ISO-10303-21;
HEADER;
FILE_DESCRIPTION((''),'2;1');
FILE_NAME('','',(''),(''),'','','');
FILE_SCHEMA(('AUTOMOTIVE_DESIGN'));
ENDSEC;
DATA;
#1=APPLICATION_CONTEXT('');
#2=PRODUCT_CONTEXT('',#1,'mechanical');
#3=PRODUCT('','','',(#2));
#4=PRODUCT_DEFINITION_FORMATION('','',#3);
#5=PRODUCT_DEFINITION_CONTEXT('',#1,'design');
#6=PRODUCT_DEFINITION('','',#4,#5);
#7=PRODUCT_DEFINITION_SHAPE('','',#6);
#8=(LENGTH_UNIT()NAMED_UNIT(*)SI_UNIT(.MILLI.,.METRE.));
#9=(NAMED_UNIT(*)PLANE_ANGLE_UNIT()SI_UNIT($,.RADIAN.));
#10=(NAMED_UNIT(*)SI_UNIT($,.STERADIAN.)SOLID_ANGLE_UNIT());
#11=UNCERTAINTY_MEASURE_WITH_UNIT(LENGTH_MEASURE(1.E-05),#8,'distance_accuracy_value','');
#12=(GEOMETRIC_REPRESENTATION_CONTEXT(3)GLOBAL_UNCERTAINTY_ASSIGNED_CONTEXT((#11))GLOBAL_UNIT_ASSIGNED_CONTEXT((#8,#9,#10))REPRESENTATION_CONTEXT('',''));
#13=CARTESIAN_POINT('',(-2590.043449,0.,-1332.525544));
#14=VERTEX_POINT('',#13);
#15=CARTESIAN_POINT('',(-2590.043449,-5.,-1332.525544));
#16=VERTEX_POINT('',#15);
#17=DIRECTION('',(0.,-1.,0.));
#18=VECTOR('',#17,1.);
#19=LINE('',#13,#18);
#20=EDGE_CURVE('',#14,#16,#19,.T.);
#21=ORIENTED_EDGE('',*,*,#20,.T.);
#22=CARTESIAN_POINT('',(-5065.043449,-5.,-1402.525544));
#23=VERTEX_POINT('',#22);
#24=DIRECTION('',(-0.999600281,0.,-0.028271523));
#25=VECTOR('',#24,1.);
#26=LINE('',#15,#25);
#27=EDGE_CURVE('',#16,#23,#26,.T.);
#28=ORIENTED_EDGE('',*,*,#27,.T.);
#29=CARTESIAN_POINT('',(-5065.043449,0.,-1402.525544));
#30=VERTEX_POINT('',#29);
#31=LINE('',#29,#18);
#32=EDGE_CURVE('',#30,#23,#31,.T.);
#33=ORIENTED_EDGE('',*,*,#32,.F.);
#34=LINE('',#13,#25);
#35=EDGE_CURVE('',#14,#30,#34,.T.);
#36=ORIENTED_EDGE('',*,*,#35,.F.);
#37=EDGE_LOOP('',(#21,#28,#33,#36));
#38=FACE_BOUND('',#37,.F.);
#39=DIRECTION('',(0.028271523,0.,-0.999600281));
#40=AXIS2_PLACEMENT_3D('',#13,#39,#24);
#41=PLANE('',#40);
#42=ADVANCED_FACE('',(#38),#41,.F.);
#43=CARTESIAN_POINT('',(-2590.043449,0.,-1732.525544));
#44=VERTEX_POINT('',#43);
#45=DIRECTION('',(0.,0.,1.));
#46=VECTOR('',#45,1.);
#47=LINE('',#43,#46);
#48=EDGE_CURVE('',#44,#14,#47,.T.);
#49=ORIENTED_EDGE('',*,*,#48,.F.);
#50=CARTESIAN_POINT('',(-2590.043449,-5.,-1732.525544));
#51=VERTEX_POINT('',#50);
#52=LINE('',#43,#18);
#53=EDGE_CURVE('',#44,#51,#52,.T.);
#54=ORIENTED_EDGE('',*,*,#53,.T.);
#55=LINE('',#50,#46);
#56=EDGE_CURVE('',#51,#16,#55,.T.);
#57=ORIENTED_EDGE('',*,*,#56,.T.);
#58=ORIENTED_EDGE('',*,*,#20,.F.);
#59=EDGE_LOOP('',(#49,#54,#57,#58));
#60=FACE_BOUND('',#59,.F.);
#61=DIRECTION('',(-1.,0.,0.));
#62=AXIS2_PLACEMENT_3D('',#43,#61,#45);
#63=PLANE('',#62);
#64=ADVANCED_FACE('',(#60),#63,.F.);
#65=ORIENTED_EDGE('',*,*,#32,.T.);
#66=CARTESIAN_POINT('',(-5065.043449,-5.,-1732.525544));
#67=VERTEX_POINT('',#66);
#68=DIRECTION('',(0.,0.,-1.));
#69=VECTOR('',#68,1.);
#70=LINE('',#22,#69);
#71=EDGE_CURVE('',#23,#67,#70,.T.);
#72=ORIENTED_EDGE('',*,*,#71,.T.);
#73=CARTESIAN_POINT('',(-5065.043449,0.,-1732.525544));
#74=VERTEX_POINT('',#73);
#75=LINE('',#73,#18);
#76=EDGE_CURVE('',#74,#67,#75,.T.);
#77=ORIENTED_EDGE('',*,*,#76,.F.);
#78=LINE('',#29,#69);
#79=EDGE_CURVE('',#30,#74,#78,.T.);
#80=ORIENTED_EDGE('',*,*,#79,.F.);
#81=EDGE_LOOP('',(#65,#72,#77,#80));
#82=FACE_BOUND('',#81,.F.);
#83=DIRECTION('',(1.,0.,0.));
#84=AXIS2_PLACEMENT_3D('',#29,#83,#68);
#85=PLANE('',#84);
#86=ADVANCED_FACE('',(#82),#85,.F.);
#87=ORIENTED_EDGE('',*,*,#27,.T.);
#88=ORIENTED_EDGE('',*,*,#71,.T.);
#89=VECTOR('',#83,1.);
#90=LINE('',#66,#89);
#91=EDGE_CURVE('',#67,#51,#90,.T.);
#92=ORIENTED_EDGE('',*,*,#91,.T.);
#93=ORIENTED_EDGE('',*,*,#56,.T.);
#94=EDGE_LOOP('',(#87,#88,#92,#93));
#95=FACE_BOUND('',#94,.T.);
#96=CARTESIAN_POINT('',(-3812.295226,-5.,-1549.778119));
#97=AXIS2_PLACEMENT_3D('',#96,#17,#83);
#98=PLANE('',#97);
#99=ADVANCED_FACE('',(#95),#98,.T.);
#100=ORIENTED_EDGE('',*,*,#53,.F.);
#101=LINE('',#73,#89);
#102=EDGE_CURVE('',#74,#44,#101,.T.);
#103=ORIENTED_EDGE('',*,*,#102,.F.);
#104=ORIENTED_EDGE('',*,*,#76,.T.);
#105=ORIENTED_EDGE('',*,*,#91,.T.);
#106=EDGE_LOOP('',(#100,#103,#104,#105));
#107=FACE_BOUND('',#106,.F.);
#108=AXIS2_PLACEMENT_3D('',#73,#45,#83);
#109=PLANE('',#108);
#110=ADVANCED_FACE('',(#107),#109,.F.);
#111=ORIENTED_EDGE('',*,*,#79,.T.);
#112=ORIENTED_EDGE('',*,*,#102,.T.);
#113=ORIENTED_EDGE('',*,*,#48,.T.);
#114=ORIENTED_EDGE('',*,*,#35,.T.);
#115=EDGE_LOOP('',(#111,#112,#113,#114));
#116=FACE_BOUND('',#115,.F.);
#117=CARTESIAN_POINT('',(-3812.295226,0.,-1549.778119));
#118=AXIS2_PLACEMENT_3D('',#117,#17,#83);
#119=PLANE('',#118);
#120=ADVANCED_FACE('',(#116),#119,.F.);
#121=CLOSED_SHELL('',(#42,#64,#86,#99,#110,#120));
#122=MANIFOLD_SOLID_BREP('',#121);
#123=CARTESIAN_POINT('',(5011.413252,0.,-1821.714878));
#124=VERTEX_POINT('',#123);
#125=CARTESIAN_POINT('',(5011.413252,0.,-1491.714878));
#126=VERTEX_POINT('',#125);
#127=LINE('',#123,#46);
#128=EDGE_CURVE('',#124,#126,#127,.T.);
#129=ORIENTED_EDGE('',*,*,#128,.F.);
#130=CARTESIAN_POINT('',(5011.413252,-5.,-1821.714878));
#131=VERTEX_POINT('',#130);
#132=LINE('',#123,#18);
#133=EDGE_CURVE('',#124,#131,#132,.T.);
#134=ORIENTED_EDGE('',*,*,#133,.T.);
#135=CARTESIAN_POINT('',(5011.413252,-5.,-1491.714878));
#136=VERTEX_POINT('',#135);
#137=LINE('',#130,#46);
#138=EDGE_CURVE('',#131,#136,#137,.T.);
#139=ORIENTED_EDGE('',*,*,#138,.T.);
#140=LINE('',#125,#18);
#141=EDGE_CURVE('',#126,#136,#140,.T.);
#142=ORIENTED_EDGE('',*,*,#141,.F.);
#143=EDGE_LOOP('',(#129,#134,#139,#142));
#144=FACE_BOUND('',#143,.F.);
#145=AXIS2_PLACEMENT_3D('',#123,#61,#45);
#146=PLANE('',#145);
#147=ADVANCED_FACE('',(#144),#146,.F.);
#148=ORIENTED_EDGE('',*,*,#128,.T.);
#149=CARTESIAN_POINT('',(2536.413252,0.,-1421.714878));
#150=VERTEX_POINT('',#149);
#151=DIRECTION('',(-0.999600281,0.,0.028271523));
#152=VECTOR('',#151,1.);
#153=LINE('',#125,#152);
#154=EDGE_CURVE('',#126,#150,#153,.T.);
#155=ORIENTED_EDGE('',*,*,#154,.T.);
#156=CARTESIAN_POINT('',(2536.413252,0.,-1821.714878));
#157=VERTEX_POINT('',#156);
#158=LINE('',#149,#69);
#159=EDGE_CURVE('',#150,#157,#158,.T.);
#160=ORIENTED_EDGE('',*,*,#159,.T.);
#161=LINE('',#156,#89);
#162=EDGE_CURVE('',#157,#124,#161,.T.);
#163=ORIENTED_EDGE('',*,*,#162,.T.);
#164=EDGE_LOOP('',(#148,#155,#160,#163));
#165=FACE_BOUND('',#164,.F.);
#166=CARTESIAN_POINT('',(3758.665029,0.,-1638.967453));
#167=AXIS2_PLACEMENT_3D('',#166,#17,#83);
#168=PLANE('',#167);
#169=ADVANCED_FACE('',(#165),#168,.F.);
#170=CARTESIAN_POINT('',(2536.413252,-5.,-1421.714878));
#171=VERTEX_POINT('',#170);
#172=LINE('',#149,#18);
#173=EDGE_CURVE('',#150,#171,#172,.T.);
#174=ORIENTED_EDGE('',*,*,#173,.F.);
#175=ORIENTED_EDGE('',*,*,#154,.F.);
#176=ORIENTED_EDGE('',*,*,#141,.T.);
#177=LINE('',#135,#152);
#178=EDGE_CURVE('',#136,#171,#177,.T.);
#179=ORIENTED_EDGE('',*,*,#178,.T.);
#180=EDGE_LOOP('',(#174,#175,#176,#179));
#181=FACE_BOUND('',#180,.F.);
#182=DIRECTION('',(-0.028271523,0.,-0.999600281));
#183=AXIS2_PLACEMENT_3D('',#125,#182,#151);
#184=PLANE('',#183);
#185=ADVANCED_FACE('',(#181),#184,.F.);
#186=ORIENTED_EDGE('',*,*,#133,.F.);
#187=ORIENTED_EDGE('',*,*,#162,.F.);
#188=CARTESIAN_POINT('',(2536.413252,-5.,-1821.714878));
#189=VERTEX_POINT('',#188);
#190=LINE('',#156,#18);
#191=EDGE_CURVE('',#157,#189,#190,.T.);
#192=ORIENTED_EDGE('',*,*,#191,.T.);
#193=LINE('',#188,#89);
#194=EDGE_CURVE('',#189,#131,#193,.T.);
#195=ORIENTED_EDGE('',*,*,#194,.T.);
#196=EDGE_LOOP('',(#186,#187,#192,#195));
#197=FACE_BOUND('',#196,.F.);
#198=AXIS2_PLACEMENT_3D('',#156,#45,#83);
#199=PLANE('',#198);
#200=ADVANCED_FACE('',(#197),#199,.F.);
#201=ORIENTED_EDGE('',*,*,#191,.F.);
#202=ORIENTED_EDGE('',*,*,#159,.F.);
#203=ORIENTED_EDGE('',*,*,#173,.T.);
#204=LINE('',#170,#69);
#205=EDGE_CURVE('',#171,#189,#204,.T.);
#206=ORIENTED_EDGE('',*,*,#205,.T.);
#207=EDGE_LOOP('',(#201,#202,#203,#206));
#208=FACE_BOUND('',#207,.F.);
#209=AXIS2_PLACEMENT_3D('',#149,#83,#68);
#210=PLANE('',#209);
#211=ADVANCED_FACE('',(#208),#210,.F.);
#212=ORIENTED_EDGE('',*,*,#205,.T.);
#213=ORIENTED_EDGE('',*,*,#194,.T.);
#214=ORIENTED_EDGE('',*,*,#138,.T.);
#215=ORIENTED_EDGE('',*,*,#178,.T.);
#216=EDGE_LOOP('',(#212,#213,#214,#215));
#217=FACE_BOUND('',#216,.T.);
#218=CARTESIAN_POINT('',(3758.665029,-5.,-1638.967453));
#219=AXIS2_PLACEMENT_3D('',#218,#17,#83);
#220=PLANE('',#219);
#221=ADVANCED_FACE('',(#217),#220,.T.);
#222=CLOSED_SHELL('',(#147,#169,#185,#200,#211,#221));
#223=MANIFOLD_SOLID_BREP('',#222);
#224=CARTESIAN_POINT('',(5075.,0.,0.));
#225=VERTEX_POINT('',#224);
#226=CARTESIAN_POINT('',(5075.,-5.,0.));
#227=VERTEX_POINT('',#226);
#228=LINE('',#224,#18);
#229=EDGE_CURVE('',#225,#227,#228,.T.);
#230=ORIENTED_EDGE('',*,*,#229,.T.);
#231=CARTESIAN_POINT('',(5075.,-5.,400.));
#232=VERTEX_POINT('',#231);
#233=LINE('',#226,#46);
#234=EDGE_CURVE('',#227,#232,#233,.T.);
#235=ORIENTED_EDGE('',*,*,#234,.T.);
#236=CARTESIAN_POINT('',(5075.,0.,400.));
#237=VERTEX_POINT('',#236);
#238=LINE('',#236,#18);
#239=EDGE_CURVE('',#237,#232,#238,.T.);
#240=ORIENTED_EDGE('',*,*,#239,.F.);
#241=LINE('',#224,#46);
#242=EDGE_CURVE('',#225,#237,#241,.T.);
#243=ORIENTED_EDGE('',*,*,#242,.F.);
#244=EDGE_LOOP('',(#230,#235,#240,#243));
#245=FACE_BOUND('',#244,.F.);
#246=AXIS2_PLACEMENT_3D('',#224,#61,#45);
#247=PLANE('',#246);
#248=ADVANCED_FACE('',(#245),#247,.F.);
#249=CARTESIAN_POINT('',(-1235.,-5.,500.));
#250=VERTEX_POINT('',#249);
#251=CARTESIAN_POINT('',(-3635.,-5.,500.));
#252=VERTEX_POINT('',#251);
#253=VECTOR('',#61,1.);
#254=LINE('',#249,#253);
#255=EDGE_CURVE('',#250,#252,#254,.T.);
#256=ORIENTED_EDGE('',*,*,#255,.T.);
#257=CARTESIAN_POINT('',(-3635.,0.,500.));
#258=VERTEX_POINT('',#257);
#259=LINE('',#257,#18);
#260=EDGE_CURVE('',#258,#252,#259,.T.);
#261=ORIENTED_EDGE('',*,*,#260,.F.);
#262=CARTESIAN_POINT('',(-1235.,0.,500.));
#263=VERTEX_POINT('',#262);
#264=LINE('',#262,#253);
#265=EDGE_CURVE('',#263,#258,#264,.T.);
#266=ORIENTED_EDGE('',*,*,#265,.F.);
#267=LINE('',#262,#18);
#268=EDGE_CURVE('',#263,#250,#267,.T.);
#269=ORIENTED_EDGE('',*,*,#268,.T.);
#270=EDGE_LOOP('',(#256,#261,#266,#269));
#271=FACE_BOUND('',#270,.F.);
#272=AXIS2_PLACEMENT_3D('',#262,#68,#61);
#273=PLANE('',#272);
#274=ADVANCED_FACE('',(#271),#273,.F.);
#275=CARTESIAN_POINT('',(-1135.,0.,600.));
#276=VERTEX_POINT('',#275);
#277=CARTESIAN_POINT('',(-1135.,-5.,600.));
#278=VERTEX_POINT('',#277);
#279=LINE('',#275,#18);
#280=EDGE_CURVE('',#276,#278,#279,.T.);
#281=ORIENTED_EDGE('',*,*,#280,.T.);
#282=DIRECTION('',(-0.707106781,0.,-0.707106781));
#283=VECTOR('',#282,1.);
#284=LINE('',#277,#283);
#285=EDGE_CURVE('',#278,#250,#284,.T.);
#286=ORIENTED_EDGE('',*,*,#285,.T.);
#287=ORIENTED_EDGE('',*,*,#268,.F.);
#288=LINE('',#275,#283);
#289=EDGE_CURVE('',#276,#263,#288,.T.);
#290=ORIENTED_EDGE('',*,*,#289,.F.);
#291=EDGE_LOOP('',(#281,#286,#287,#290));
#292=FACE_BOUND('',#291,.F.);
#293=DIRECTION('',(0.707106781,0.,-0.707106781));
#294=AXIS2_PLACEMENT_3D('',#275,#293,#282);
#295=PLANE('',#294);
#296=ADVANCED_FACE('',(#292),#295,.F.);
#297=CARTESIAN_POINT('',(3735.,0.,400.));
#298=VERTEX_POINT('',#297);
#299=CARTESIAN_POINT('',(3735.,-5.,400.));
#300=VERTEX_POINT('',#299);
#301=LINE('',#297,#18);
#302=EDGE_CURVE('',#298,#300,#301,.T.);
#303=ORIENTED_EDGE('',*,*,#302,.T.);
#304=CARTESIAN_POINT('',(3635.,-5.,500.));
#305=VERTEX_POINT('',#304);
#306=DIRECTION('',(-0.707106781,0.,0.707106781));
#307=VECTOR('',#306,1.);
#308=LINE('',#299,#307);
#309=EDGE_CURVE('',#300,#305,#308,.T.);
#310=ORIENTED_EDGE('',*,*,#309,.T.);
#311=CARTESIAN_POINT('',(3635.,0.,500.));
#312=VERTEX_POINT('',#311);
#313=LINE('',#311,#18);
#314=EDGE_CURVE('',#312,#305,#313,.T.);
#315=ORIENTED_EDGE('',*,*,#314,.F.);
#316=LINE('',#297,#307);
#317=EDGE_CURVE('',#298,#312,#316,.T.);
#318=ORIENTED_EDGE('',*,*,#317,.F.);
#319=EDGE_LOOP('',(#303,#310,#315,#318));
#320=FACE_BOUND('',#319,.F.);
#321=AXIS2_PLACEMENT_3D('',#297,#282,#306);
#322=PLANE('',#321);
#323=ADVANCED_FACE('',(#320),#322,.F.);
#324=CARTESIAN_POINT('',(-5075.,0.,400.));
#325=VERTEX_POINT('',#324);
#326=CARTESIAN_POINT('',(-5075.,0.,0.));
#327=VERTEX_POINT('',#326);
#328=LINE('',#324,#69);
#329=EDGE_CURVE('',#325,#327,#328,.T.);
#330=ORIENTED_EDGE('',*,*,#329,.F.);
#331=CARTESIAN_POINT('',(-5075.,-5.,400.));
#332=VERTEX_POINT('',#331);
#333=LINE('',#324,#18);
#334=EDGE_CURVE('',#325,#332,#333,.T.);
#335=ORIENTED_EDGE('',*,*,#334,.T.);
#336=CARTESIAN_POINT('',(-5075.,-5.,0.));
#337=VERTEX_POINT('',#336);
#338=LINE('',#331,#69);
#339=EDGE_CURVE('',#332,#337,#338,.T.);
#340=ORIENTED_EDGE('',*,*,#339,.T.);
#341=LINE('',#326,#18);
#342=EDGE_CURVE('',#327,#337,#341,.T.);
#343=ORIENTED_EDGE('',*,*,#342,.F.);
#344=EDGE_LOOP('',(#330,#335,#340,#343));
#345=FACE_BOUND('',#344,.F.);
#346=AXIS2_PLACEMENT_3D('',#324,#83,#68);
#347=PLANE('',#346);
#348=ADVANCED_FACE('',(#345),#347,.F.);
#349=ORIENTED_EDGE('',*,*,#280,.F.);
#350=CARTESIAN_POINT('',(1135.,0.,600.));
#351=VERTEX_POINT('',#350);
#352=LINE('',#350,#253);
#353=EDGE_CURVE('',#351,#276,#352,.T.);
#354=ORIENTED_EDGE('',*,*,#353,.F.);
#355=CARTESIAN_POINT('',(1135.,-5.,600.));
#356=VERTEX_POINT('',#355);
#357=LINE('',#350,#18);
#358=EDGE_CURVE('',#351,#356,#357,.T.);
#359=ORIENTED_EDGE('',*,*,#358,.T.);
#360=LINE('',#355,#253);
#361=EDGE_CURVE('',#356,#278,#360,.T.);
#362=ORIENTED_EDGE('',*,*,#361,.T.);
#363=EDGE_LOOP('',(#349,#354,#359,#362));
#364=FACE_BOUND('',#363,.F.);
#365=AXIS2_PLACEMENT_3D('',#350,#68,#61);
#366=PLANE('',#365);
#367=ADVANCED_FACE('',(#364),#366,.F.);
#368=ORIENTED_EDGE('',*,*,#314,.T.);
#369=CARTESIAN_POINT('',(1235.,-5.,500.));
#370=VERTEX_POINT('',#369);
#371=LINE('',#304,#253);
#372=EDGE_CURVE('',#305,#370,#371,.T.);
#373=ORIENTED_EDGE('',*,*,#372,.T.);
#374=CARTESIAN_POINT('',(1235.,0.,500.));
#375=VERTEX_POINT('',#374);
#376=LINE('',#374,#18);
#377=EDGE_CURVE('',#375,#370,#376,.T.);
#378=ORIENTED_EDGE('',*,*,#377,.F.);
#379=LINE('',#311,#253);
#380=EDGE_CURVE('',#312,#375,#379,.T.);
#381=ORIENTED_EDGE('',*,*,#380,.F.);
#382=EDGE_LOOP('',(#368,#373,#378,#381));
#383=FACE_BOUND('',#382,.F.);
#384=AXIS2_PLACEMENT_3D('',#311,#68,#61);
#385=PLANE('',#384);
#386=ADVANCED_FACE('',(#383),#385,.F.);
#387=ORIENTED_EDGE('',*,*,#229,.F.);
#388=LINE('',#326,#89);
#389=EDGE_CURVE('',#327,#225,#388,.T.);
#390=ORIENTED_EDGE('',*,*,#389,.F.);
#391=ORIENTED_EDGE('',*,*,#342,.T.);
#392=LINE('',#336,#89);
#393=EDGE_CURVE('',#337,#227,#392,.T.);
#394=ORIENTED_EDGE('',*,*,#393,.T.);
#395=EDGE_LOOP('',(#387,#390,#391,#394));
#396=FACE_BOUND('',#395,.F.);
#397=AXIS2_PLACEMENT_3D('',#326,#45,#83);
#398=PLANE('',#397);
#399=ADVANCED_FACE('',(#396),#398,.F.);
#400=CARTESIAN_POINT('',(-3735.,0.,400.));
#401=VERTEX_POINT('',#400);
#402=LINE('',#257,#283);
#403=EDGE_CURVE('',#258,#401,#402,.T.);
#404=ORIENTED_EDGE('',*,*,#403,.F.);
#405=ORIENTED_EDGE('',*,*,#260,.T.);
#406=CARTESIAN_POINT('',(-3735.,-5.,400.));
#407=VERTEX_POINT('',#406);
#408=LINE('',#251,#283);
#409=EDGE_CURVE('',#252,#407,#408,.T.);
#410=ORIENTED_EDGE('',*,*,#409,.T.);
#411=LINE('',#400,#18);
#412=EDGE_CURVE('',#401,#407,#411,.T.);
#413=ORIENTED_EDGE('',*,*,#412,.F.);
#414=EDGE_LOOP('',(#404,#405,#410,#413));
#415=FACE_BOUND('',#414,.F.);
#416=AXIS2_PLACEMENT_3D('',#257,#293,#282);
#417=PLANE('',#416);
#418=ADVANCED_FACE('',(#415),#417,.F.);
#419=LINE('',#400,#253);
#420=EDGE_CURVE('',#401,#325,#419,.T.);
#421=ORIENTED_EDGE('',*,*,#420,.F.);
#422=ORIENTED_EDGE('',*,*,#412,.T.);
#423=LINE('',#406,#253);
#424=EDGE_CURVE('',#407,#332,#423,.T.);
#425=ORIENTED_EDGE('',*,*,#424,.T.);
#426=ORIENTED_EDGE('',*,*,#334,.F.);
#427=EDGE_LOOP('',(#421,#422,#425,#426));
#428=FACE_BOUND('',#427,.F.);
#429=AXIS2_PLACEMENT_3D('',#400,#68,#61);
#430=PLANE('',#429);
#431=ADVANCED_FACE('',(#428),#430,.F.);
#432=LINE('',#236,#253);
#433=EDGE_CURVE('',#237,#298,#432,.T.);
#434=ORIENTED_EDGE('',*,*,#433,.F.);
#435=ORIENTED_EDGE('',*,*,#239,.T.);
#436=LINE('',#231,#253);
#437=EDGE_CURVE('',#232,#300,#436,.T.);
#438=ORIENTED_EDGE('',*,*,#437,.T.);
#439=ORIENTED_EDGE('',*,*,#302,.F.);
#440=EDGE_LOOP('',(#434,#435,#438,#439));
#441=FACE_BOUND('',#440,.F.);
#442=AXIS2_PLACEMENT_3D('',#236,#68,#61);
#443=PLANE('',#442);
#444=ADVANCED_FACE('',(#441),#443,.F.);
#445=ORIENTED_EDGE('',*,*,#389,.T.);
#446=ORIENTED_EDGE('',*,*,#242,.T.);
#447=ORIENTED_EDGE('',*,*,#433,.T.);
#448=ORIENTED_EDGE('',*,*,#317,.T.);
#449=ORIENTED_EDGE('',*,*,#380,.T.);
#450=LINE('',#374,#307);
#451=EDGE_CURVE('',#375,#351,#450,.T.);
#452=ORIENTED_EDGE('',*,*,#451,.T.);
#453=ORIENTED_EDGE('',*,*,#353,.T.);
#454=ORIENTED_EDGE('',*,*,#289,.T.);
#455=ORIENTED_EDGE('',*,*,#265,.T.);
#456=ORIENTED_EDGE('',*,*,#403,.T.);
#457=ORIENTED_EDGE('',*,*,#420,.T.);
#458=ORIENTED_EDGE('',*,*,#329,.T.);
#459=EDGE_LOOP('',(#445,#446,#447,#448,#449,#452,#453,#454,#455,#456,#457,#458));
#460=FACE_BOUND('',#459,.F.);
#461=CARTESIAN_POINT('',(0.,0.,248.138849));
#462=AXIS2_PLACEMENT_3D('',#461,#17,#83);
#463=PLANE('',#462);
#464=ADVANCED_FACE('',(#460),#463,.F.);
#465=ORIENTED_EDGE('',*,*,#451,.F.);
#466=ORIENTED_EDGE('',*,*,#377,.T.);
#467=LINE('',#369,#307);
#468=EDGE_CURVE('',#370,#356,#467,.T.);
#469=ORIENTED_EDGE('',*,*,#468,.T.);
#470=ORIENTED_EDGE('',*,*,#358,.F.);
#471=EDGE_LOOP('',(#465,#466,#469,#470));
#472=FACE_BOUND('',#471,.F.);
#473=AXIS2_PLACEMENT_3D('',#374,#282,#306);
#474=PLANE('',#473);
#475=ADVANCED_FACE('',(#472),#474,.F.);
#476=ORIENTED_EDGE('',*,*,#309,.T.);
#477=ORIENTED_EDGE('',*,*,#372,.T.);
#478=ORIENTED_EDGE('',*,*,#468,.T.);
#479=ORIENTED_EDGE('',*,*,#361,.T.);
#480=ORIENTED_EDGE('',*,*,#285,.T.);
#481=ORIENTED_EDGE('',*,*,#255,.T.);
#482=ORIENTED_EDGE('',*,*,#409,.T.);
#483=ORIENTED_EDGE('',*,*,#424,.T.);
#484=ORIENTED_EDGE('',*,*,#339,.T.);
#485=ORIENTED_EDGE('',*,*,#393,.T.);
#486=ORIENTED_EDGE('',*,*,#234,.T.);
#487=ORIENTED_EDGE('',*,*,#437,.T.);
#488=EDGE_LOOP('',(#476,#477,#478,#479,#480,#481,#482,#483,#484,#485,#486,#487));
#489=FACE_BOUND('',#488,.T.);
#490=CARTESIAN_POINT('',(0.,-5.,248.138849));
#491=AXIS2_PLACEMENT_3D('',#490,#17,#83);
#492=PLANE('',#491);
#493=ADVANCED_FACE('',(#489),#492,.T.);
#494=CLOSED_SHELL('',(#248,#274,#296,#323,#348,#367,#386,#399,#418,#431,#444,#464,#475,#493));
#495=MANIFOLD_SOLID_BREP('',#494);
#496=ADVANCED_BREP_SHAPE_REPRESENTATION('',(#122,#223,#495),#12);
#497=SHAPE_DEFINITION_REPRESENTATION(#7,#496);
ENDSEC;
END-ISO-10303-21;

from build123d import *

# Parameters (mm, degrees)
F1_DEPTH = 5


with BuildPart() as f1:
    # F0 (on Front) → F1 (new body)
    with BuildSketch(Plane.XZ):
        Polygon((-5075, 0), (0, 0), (5075, 0), (5075, 400), (3735, 400), (3635, 500), (1235, 500), (1135, 600), (0, 600), (-1135, 600), (-1235, 500), (-3635, 500), (-3735, 400), (-5075, 400), align=None)
        Polygon((-2590.043449, -1332.525544), (-5065.043449, -1402.525544), (-5065.043449, -1732.525544), (-2590.043449, -1732.525544), align=None)
        Polygon((2536.413252, -1421.714878), (2536.413252, -1821.714878), (5011.413252, -1821.714878), (5011.413252, -1491.714878), align=None)
    extrude(amount=F1_DEPTH)


solid = f1.part
